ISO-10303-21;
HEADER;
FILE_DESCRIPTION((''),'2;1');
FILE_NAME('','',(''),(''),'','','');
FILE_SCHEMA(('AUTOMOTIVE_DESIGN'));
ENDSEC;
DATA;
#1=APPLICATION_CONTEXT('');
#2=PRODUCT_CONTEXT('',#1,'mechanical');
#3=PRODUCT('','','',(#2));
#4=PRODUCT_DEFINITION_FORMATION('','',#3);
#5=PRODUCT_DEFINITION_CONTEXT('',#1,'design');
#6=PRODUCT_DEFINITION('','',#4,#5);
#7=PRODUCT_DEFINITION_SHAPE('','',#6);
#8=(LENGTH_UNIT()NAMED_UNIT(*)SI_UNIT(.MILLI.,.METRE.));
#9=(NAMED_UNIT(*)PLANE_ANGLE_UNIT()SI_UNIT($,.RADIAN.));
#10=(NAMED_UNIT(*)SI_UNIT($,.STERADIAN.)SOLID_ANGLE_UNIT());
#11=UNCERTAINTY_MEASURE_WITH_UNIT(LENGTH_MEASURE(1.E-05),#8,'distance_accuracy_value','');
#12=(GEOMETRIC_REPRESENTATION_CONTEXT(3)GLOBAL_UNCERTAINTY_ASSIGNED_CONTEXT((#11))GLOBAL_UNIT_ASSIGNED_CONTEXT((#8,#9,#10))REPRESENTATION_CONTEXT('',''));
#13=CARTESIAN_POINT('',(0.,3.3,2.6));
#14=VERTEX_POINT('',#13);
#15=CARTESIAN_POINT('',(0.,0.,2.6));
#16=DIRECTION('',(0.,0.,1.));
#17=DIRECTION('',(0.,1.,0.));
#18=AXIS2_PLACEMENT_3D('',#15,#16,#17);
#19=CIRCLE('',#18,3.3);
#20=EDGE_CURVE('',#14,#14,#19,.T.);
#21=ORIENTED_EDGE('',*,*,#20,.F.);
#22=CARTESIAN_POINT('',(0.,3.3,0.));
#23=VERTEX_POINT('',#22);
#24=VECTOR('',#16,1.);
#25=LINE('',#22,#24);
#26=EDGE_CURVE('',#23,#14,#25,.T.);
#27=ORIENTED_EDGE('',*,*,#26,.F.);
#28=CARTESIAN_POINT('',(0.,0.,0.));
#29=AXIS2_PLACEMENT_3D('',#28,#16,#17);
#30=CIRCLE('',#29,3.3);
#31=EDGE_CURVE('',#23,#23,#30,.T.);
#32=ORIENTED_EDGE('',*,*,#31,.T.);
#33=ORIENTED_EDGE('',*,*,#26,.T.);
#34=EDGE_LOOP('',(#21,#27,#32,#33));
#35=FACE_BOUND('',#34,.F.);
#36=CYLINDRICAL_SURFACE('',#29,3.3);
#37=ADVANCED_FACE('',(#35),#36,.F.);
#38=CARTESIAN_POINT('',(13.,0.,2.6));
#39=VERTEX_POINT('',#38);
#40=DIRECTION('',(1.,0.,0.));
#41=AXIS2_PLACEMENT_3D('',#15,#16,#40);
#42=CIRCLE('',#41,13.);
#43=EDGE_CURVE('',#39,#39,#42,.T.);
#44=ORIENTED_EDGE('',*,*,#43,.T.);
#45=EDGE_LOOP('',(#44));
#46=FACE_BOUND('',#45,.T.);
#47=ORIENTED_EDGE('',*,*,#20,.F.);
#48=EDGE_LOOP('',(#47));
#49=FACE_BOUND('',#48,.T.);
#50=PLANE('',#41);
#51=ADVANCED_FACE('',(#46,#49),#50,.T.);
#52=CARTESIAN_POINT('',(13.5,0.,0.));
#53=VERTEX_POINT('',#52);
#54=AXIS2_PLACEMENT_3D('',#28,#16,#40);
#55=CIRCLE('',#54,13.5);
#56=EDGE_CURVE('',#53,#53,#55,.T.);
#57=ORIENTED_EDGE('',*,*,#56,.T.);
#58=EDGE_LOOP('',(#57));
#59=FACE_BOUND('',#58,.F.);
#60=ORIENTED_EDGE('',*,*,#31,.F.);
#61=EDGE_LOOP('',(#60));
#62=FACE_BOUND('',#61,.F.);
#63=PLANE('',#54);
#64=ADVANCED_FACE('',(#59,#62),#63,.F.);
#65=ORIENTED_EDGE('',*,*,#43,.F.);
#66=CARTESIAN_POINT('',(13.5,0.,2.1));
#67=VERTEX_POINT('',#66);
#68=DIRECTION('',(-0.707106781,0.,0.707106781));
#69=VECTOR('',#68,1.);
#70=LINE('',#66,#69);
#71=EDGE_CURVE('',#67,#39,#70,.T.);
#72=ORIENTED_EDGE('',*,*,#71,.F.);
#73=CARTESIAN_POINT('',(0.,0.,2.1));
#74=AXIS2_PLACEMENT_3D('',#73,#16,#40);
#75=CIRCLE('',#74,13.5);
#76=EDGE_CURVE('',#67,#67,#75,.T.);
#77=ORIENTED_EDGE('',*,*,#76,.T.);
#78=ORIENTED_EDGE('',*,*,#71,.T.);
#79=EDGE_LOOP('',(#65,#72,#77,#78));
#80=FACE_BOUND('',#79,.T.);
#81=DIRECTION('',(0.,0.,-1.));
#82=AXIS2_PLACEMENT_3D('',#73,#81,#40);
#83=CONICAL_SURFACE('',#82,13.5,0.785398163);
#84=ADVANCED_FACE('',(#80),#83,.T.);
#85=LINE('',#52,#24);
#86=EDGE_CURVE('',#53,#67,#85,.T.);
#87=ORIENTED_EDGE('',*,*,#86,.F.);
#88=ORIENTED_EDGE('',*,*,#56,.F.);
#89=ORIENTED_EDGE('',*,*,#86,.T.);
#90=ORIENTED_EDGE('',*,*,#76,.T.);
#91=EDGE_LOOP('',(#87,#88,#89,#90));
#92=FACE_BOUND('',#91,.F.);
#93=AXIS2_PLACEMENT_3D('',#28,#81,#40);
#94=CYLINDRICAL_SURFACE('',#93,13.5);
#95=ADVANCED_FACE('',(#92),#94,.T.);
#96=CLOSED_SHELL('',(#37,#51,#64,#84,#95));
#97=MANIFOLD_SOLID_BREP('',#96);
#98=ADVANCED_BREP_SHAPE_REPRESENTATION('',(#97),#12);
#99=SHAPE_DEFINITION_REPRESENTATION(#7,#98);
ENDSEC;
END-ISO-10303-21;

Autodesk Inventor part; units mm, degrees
ref_plane "YZ Plane" through (0, 0, 0) normal (1, 0, 0) x (0, 1, 0)
ref_plane "XZ Plane" through (0, 0, 0) normal (0, 1, 0) x (-1, 0, 0)
ref_plane "XY Plane" through (0, 0, 0) normal (0, 0, 1) x (1, 0, 0)
sketch "Skizze1" plane through (0, 0, 0) normal (0, 0, 1) x (1, 0, 0)
  circle A0 centre (0, 0) radius 13.5
  dimension "d0" = 27
extrude "Extrusion1" add sketch "Skizze1" along normal blind 2.6
chamfer "Fase1" distance 0.5 angle 45 1 edges at (-13.5, 0, 2.6)
sketch "Skizze2" plane through (0, 0, 0) normal (0, 0, -1) x (-1, 0, 0)
  point P0 (0, 0)
  point P1 (0, 0)
hole "Bohrung1" at (0, 0, 0) direction (0, 0, 1) diameter 6.6 depth 30 tip angle 118 clearance for "Flachkopfsenkschraube DIN EN ISO 2009" size "M6" standard "DIN"
equation "\"d0\" = Flansch_Klemmdeckelausnahme_Dia"
equation "\"KlemmdeckelHeight\" = 3"
equation "\"Flansch_Klemmdeckelausnahme_Dia\" = 27"
properties part number "Flansch_Wellennabeverbindung_Klemmdeckel" material "Edelstahl"
